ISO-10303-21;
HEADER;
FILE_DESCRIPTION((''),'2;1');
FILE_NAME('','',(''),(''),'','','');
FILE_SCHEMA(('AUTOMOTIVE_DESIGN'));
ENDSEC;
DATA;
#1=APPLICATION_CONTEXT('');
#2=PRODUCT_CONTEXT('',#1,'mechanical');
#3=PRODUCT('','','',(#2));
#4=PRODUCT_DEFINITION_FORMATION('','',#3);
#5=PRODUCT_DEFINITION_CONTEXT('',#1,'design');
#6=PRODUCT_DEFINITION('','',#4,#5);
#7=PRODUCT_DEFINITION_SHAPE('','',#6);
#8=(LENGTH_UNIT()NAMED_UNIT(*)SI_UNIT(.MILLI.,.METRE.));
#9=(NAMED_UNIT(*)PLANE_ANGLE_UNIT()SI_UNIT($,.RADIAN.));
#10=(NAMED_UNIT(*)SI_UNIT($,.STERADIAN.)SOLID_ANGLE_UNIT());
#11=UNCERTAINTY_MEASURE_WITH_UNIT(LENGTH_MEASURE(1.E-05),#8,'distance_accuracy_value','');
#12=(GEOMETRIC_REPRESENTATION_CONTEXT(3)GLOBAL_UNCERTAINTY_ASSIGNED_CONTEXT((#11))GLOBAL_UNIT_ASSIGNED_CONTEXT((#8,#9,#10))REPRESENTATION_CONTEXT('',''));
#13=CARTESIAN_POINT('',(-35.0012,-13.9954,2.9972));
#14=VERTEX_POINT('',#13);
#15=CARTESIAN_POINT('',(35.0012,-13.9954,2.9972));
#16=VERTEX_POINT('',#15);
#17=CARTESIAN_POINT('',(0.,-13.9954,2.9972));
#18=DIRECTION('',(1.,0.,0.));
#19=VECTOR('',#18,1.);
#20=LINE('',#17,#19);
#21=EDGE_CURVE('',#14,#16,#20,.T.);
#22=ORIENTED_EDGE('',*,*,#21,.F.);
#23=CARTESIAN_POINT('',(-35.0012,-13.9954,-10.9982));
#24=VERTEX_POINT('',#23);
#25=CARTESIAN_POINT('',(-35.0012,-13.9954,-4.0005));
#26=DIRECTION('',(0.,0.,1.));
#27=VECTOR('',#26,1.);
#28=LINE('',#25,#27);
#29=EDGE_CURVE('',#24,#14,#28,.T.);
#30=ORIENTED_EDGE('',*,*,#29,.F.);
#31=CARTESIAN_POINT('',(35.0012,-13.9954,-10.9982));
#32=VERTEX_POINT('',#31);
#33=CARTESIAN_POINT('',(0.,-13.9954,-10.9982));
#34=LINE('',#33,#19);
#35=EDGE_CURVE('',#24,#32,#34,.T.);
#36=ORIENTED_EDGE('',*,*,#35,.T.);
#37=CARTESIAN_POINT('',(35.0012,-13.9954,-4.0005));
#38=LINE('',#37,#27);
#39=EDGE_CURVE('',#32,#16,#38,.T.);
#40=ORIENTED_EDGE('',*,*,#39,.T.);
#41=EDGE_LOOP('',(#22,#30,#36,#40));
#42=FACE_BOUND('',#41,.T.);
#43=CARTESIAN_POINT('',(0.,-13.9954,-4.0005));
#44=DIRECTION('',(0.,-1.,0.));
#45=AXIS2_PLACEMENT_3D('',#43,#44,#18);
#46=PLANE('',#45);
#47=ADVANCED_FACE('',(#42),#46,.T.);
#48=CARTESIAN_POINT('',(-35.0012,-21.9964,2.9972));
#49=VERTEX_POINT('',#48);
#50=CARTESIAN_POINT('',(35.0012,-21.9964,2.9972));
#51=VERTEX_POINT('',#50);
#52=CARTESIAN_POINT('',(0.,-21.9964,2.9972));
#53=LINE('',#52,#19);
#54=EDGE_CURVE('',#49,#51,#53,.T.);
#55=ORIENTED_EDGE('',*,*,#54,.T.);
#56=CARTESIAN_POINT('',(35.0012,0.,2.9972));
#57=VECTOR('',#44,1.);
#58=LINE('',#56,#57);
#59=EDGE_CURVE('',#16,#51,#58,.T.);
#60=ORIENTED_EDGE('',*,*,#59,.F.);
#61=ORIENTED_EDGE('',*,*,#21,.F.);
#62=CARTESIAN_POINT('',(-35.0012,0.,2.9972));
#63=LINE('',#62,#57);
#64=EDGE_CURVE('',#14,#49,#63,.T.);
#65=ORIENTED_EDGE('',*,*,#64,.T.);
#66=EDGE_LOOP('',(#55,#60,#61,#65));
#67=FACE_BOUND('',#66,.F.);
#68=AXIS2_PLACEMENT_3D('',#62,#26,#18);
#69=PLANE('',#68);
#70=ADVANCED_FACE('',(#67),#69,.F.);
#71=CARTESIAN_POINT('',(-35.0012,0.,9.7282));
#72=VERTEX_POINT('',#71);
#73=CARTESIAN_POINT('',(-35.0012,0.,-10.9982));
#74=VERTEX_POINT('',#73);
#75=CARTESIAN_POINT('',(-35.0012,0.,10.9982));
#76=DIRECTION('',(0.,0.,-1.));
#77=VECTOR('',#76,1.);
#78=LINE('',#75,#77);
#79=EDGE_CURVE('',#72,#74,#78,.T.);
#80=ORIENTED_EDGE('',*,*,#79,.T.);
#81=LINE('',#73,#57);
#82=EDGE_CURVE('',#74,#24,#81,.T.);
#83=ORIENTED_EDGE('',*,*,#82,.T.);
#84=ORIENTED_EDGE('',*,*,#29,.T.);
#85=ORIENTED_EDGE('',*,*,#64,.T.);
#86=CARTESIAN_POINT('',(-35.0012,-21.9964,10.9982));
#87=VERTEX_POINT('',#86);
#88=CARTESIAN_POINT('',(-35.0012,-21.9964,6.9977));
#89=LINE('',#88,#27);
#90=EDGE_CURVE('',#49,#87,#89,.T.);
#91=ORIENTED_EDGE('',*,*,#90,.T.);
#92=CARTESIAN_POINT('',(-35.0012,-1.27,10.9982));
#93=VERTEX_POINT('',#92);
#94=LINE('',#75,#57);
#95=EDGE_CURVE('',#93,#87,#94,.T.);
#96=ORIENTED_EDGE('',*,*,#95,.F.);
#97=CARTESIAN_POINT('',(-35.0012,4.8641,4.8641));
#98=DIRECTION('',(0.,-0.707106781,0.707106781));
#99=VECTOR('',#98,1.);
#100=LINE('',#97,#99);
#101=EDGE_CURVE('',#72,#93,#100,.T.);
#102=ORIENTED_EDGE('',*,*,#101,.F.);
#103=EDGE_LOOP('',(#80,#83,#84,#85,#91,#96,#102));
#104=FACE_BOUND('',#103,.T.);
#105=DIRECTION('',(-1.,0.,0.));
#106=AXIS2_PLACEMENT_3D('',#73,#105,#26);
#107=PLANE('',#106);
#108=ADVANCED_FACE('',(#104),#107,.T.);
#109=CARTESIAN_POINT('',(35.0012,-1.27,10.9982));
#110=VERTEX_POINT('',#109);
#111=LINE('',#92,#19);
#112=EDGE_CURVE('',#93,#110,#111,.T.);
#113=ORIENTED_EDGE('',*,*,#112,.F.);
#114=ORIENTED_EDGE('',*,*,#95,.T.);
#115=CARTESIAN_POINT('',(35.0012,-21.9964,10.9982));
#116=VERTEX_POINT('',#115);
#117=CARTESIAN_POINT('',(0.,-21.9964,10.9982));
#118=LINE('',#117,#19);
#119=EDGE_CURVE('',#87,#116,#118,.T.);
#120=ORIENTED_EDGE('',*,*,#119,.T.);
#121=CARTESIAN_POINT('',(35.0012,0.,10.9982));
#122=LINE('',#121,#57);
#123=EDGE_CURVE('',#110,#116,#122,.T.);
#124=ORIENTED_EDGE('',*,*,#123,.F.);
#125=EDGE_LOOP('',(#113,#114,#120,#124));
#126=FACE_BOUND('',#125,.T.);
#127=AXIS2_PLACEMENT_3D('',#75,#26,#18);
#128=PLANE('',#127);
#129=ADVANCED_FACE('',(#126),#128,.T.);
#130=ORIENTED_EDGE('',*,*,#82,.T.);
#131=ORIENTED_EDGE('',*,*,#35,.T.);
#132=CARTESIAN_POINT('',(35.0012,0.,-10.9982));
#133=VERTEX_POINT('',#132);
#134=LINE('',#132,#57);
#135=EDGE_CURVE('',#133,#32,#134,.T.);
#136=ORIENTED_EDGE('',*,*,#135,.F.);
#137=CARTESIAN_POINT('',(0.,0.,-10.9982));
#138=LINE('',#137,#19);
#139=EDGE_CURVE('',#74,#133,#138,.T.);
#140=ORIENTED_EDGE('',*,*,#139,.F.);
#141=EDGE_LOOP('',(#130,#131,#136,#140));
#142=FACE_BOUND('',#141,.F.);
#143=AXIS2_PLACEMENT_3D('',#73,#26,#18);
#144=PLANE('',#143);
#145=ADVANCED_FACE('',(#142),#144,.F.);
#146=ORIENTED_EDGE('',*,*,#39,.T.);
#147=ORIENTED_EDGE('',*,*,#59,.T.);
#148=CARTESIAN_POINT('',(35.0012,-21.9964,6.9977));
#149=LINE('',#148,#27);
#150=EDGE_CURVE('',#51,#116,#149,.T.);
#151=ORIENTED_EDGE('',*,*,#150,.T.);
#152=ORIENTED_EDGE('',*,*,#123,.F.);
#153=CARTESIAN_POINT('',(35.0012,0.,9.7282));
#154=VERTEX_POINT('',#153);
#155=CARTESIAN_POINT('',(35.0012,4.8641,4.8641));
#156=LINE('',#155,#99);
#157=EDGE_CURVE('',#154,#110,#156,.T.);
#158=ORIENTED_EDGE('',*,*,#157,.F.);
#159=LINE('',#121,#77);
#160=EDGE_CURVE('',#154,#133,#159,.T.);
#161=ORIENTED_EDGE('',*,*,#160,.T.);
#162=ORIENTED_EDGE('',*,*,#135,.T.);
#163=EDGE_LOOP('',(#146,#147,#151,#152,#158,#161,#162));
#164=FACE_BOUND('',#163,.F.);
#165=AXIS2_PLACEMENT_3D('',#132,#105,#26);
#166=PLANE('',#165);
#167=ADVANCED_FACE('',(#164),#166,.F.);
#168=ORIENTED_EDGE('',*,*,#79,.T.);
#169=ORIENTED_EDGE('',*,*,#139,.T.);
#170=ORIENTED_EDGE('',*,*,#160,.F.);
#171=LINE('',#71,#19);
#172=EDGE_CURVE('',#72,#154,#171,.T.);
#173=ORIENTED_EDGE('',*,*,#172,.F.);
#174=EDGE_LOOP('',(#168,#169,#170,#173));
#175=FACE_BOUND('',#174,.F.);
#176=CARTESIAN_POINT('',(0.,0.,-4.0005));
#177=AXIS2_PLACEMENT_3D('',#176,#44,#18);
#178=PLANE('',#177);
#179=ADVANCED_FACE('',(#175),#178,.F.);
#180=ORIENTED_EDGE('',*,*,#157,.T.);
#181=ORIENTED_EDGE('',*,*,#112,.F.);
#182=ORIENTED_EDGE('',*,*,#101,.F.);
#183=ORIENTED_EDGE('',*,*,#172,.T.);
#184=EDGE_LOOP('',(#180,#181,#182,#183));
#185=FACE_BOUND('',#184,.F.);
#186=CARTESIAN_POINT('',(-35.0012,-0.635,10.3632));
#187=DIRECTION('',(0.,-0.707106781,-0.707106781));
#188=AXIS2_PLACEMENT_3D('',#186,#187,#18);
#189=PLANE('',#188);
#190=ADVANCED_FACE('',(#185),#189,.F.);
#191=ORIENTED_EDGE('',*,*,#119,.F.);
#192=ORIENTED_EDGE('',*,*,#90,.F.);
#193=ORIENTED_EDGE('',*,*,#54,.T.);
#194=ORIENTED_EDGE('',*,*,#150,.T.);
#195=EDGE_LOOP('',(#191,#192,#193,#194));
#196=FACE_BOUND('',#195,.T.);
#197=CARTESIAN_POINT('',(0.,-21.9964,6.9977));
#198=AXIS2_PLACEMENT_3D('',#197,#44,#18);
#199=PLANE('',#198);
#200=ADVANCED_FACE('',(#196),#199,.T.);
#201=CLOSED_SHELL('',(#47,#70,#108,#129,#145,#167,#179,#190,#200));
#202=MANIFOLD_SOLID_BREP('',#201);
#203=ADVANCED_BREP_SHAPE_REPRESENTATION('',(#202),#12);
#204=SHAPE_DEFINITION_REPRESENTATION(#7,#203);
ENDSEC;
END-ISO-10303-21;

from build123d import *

# Parameters (mm, degrees)
F0_W     = 70.0024
F0_H     = 8.001
F1_DEPTH = 21.9964
F0_H_2   = 13.9954
F2_DEPTH = 13.9954
F3_SIZE  = 1.27


with BuildPart() as f1:
    # F0 (on Front) → F1 (new body)
    with BuildSketch(Plane.XZ):
        with Locations((0, 6.9977)):
            Rectangle(F0_W, F0_H)
    extrude(amount=F1_DEPTH)

    # F0 (on Front) → F2 (join)
    with BuildSketch(Plane.XZ):
        with Locations((0, -4.0005)):
            Rectangle(F0_W, F0_H_2)
    extrude(amount=F2_DEPTH)

    # F3
    f3_edges = [f1.edges().sort_by_distance(p)[0] for p in [
        (0, 0, 10.9982),
    ]]
    chamfer(f3_edges, length=F3_SIZE)


solid = f1.part
